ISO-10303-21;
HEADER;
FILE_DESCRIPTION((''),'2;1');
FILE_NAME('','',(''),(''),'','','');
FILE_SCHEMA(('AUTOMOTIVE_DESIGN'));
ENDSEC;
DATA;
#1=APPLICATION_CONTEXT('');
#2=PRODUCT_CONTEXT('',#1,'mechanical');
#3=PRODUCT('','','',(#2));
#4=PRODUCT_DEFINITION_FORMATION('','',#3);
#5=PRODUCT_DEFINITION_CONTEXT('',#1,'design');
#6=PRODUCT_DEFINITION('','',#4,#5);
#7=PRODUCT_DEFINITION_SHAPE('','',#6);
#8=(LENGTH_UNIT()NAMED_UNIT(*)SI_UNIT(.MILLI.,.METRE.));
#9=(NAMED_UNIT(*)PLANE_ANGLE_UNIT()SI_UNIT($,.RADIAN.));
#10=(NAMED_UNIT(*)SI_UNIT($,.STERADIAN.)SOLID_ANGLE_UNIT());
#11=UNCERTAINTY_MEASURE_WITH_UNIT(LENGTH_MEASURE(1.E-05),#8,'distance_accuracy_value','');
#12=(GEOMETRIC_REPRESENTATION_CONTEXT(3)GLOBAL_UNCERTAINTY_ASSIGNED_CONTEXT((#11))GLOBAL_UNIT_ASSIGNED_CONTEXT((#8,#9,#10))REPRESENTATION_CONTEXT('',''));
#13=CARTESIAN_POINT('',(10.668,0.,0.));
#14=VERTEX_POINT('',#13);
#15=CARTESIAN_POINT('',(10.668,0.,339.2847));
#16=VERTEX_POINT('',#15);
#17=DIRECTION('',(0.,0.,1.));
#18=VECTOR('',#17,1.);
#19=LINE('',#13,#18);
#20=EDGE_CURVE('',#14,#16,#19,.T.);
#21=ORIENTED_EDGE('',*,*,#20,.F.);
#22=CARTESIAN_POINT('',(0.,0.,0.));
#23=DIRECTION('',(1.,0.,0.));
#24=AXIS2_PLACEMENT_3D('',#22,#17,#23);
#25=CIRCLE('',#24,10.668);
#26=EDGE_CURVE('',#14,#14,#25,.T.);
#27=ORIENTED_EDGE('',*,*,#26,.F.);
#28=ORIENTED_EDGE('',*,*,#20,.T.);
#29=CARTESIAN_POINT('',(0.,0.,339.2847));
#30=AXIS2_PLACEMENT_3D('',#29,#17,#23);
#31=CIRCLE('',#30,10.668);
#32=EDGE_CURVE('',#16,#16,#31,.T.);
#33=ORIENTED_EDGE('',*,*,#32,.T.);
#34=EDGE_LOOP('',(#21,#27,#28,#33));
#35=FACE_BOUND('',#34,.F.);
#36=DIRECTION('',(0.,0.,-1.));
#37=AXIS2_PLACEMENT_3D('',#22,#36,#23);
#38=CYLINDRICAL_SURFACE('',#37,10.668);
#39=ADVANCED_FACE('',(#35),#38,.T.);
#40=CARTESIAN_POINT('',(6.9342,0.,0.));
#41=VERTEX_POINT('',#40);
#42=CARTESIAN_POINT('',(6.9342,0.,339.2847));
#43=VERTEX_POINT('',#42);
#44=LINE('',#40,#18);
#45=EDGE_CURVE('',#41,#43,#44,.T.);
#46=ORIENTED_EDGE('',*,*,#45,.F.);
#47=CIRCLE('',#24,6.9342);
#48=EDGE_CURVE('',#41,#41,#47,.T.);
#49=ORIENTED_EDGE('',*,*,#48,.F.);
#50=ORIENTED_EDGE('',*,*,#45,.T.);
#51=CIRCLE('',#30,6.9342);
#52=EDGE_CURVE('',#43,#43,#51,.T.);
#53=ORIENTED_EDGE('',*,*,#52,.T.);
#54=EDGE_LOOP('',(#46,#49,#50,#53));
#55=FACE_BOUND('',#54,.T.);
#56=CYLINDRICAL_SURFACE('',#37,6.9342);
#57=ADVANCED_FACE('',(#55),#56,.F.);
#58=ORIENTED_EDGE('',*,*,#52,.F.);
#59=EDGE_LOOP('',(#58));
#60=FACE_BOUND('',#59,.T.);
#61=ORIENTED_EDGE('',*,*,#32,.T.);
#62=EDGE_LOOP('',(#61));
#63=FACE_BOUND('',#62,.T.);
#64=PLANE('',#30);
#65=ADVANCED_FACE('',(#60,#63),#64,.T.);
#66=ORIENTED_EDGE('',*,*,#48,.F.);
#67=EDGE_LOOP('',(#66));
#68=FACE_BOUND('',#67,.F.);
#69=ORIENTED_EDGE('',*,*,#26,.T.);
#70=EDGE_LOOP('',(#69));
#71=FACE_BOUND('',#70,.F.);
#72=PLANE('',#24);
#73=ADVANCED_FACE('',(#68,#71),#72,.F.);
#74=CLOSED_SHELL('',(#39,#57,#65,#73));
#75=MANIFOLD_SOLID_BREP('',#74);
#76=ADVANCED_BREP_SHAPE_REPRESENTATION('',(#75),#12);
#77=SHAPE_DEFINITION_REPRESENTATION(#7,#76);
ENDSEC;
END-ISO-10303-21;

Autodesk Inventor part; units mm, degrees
ref_plane "YZ Plane" through (0, 0, 0) normal (1, 0, 0) x (0, 1, 0)
ref_plane "Start Plane" through (0, 0, 0) normal (0, 0, 1) x (1, 0, 0)
ref_plane "End Plane" through (0, 0, 339.2847) normal (0, 0, 1) x (1, 0, 0)
sketch "Sketch" plane through (0, 0, 0) normal (0, 0, 1) x (1, 0, 0)
  circle A0 centre (0, 0) radius 6.9342
  circle A1 centre (0, 0) radius 10.668
  dimension "d0" = 21.336
  dimension "d1" = 3.7338
extrude "Body" add sketch "Sketch" along normal up to surface (339.2847 mm away) from surface at 0
sketch "Sketch3" plane through (0, 0, 0) normal (0, 0, 1) x (1, 0, 0)
  line L0 (0, 0) -> (10, 0)
ref_plane "Work Plane3" through (0, 0, 0) normal (0, -1, 0) x (1, 0, 0)
sketch "Sketch4" plane through (0, 0, 0) normal (0, -1, 0) x (1, 0, 0)
  line L0 (-2, 0) -> (12, 0)
  line L1 (-2, 339.2847) -> (12, 339.2847)
  dimension "d7" = 339.2847
equation "\"d0\" = G_H"
equation "\"d1\" = G_T"
equation "\"d2\" = G_L"
equation "\"G_H\" = 21.336"
equation "\"G_T\" = 3.7338"
equation "\"G_L\" = d7"
equation "\"G_OFFSET_START\" = 0"
equation "\"G_OFFSET_END\" = 0"
equation "\"d5\" = G_OFFSET_END + B_L"
equation "\"B_L\" = 339.28473"
properties part number "ANSI - 1/2 x 0.147 - 13.358" material "Steel, Mild"
